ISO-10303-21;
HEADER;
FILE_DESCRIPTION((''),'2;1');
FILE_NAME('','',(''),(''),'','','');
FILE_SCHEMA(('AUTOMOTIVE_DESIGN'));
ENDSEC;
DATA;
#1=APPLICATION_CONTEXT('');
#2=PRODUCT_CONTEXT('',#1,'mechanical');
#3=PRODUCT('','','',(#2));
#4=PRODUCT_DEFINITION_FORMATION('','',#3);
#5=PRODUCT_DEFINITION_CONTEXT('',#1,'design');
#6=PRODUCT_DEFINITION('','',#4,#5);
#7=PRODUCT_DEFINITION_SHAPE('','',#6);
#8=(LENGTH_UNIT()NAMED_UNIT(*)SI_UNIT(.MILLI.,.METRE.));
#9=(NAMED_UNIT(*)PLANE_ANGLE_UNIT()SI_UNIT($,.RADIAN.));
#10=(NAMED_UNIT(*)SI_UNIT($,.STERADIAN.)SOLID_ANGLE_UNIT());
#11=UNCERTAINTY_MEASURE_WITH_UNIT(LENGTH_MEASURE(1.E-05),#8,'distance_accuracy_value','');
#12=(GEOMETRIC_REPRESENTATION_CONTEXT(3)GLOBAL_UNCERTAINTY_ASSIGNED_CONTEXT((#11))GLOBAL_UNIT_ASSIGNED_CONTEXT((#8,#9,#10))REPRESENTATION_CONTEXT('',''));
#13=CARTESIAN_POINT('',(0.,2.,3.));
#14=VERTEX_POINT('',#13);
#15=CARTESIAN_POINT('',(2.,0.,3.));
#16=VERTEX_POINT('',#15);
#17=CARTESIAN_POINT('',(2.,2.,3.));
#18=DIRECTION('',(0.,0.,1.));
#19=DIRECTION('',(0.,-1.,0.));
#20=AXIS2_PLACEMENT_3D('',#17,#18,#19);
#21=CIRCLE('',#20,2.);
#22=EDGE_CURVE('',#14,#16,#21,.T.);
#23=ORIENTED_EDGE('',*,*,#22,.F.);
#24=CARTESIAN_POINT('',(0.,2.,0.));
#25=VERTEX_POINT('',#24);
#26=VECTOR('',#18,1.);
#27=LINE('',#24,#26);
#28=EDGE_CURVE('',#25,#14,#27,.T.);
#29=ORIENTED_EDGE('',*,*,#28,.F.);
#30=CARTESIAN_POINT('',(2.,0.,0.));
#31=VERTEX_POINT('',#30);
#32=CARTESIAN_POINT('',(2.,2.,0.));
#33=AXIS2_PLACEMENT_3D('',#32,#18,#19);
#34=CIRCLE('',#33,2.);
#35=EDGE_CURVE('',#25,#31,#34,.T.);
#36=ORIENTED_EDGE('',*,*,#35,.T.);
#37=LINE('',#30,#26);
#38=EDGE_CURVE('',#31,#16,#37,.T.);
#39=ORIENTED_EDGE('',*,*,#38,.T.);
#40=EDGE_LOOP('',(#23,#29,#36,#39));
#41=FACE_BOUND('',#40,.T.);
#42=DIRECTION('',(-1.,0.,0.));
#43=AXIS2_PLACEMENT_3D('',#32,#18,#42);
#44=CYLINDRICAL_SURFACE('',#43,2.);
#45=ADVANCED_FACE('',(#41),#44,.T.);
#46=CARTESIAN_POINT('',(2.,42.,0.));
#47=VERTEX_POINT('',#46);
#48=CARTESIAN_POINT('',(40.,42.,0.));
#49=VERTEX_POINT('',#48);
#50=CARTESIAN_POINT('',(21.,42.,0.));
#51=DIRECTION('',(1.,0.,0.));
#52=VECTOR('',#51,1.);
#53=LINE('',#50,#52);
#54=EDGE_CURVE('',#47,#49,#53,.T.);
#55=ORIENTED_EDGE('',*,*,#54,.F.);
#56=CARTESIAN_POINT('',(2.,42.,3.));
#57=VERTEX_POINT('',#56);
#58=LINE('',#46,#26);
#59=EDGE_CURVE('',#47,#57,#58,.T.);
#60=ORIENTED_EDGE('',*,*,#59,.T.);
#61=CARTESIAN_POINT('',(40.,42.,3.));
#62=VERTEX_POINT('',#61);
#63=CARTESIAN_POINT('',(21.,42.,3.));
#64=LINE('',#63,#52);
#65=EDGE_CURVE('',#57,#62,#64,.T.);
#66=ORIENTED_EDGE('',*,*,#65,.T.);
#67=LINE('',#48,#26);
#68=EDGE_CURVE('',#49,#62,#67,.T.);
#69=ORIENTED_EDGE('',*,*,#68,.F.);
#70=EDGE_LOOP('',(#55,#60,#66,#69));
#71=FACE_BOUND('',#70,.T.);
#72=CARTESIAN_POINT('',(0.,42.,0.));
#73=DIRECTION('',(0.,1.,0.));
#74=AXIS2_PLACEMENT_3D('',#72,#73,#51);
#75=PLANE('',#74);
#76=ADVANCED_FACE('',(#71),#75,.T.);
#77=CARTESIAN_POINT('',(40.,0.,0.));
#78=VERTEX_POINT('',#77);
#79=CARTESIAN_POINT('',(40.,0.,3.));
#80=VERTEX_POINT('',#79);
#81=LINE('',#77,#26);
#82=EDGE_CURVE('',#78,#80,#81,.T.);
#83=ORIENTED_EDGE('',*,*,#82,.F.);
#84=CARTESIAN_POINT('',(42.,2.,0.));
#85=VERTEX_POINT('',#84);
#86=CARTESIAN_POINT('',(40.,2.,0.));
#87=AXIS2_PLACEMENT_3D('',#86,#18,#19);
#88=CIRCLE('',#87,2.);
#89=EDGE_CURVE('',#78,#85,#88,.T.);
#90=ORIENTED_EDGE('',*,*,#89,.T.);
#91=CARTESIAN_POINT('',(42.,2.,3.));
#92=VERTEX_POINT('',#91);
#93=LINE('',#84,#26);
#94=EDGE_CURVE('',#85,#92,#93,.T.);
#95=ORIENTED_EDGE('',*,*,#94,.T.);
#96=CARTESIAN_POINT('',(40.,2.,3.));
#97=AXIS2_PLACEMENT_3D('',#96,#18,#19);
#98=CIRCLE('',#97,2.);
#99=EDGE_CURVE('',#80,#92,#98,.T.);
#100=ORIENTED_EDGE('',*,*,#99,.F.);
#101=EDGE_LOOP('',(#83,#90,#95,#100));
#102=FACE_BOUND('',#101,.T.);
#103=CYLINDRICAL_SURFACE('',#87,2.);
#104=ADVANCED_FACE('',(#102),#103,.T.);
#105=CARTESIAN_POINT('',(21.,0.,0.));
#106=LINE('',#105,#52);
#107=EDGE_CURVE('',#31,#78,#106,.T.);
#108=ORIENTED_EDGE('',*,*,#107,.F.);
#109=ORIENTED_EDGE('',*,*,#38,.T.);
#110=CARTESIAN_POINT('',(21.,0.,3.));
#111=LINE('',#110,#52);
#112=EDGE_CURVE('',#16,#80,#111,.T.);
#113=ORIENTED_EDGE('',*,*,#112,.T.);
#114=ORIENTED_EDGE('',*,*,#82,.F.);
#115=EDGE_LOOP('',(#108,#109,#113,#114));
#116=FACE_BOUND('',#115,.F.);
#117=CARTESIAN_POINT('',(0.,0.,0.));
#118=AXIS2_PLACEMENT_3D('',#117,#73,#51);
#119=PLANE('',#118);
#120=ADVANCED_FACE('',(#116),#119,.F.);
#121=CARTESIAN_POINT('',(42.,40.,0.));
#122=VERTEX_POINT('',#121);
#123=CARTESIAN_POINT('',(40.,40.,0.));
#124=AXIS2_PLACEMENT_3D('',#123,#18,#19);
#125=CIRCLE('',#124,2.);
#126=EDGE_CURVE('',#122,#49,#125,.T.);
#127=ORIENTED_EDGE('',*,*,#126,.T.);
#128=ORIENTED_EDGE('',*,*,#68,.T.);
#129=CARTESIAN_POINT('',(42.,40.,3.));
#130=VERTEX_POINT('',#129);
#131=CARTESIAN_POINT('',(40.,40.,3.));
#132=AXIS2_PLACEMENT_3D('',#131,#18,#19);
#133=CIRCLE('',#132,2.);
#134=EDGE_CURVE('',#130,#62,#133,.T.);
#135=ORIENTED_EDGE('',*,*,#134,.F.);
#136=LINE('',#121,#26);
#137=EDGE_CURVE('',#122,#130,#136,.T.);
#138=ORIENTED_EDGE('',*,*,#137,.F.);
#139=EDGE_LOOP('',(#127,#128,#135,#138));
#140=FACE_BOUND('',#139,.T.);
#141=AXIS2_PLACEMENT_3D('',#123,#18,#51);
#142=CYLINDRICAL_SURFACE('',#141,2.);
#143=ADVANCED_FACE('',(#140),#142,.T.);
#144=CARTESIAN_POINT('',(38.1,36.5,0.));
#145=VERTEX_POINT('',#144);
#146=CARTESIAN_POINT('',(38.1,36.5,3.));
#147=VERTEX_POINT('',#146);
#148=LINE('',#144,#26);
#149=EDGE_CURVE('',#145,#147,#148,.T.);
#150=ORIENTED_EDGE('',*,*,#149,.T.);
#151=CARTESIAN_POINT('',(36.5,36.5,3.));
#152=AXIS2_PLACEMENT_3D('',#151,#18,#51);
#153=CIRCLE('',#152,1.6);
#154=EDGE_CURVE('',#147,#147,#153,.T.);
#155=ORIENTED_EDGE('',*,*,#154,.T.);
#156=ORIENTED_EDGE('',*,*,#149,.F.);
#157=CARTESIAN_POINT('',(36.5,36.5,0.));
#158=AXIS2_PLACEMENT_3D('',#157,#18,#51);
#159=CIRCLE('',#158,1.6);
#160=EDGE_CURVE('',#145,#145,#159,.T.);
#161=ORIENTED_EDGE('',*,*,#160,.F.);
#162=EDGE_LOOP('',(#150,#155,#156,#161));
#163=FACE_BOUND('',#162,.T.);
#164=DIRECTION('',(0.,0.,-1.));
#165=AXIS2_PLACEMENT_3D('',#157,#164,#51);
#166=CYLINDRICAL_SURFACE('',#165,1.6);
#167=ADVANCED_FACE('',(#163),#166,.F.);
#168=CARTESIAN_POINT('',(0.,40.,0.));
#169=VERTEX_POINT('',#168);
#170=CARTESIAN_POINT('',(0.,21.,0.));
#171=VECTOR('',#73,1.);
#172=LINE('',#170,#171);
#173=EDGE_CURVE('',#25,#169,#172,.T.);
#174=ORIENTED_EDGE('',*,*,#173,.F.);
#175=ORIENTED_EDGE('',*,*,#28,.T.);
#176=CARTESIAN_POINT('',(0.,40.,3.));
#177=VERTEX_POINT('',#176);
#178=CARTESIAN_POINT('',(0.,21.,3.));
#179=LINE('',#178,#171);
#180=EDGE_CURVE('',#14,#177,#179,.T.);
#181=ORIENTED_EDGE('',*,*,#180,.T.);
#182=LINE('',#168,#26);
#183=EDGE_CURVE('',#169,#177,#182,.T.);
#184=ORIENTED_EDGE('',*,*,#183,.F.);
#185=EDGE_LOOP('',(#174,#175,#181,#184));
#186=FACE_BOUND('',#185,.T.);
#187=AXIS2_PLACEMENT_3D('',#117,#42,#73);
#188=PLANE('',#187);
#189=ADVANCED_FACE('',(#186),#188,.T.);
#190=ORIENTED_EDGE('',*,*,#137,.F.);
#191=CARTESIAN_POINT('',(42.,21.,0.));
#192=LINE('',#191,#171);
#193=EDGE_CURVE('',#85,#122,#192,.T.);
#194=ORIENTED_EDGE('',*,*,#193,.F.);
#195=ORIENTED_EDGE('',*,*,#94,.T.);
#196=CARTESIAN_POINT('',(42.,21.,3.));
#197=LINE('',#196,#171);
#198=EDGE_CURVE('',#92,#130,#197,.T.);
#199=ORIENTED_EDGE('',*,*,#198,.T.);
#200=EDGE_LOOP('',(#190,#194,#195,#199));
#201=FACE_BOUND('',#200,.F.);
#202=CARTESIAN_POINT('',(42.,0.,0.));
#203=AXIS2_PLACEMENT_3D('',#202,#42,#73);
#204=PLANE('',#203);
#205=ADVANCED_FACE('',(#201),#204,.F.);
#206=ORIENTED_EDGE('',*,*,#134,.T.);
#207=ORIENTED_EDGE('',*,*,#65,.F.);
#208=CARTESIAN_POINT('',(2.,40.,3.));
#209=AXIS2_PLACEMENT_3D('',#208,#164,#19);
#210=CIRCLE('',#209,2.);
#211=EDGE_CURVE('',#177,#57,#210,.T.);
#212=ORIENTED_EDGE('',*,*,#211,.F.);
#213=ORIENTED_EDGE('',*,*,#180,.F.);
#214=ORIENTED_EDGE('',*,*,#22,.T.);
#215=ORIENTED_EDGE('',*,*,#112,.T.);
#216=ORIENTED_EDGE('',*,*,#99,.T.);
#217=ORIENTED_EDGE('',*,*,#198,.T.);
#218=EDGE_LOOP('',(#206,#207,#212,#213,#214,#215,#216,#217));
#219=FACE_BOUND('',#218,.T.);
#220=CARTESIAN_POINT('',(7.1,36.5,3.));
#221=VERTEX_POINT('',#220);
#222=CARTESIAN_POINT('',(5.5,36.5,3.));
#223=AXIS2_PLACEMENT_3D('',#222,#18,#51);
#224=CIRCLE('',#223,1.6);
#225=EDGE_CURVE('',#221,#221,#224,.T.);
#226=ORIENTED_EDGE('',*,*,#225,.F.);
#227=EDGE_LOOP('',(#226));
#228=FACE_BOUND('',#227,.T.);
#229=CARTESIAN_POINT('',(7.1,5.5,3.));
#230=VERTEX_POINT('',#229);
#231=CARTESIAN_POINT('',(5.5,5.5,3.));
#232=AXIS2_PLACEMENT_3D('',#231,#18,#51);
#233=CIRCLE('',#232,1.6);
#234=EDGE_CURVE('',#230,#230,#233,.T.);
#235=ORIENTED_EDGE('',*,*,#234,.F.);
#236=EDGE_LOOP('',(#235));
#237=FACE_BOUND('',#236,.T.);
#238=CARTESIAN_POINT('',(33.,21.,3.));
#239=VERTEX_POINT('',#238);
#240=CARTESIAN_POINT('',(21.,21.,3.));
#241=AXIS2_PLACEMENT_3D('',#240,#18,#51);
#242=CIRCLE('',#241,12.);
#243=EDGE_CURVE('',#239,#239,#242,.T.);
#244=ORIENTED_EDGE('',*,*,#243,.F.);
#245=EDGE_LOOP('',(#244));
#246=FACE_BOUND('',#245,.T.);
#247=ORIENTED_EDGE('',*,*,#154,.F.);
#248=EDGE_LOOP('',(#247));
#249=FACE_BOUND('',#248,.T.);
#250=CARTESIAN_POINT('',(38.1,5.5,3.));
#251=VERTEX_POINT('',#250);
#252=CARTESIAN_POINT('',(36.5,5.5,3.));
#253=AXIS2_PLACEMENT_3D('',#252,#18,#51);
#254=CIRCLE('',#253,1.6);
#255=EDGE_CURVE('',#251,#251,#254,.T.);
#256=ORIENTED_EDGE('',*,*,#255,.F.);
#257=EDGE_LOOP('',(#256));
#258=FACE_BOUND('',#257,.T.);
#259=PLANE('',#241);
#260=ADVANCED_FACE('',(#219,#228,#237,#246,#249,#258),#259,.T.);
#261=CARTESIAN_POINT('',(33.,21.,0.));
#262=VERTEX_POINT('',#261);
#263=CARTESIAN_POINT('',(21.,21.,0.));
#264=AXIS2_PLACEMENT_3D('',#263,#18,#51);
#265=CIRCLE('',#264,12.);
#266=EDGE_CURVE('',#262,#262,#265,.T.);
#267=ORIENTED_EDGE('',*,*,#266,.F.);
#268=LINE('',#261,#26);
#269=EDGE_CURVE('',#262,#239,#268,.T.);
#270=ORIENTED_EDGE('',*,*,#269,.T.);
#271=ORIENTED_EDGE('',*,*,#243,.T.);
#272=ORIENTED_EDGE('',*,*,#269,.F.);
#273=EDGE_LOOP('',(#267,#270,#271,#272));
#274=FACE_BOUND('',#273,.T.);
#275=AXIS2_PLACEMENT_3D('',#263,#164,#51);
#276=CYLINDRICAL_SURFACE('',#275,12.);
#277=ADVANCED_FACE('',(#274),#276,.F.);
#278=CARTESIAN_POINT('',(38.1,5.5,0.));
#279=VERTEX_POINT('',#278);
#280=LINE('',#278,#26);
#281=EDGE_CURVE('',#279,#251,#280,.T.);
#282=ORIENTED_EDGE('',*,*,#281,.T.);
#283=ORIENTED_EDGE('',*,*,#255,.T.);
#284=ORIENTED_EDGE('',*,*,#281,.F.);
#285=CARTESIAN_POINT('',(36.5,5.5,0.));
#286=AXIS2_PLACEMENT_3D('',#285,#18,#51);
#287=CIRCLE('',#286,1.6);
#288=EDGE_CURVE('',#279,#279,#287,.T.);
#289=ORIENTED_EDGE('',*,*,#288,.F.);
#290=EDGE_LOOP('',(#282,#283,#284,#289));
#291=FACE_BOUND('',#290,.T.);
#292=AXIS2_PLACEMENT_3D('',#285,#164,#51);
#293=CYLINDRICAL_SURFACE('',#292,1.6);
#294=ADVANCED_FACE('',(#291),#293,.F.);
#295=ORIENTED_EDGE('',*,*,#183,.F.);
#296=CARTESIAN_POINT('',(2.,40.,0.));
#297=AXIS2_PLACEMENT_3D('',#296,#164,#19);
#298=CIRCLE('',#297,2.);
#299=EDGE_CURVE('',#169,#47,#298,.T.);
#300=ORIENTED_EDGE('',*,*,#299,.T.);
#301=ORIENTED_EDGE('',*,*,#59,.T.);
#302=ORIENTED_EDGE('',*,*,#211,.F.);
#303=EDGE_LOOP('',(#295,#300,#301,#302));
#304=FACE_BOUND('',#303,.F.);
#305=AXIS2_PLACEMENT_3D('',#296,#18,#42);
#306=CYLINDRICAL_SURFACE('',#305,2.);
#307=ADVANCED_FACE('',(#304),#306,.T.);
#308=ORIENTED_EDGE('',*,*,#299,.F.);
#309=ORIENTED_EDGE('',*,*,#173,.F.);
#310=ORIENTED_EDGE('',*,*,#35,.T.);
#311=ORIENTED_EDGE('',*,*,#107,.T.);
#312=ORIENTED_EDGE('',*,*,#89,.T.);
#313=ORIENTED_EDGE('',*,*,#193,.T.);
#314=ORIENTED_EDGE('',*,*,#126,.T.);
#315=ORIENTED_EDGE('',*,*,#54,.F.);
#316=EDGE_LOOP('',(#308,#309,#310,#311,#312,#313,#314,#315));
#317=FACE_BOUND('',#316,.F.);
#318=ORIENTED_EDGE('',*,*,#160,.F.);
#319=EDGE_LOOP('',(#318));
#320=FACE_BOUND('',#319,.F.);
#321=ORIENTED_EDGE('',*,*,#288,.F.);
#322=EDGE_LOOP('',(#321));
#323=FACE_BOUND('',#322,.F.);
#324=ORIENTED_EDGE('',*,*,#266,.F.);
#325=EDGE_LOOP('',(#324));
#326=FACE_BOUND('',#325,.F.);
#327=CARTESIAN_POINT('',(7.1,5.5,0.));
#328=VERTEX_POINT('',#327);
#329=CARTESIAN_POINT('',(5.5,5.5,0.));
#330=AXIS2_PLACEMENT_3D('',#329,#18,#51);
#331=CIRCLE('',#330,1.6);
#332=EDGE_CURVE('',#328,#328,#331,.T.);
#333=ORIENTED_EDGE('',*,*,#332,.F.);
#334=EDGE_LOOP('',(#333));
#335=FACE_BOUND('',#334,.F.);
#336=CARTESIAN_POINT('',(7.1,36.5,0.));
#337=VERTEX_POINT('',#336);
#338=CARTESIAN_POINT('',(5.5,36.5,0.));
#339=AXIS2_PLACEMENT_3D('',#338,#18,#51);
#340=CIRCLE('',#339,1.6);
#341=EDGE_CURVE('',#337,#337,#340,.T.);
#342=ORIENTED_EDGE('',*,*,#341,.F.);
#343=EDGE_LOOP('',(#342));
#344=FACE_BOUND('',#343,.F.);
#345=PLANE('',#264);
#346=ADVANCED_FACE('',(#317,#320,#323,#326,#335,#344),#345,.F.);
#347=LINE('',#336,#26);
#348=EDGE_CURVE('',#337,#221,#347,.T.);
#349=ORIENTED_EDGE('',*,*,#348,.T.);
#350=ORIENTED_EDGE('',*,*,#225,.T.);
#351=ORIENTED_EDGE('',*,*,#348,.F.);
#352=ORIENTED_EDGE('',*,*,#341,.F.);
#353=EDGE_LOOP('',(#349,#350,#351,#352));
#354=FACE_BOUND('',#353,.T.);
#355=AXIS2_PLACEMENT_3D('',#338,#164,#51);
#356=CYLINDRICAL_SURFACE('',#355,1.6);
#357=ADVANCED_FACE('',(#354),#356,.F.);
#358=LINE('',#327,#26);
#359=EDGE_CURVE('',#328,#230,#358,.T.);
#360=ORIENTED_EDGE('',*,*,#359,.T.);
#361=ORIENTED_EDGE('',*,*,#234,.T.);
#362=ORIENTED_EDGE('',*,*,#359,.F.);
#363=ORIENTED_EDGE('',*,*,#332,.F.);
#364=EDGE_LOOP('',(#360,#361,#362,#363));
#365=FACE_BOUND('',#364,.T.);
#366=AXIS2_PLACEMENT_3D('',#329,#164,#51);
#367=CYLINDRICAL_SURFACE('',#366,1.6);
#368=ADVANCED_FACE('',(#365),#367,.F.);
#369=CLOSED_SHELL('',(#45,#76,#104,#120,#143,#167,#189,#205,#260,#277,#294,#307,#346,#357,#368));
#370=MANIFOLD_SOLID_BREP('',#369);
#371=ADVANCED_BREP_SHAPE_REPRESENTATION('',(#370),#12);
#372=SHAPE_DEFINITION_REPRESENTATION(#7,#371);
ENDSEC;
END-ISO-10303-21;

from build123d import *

# Parameters (mm, degrees)
CYLINDER018_R     = 1.6
CYLINDER018_DEPTH = 3
CYLINDER017_R     = 1.6
CYLINDER017_DEPTH = 3
CYLINDER016_R     = 1.6
CYLINDER016_DEPTH = 3
CYLINDER_R        = 1.6
CYLINDER_DEPTH    = 3
CYLINDER019_R     = 12
CYLINDER019_DEPTH = 3
BOX_W             = 42
BOX_H             = 42
BOX_DEPTH         = 3
FILLET_R          = 2


with BuildPart() as cylinder018:
    # Cylinder018 → Cylinder018 (new body)
    with BuildSketch(Plane(origin=(36.5, 36.5, 0), x_dir=(1, 0, 0), z_dir=(0, 0, 1))):
        Circle(CYLINDER018_R)
    extrude(amount=CYLINDER018_DEPTH)


with BuildPart() as cylinder017:
    # Cylinder017 → Cylinder017 (new body)
    with BuildSketch(Plane(origin=(36.5, 5.5, 0), x_dir=(1, 0, 0), z_dir=(0, 0, 1))):
        Circle(CYLINDER017_R)
    extrude(amount=CYLINDER017_DEPTH)


with BuildPart() as cylinder016:
    # Cylinder016 → Cylinder016 (new body)
    with BuildSketch(Plane(origin=(5.5, 36.5, 0), x_dir=(1, 0, 0), z_dir=(0, 0, 1))):
        Circle(CYLINDER016_R)
    extrude(amount=CYLINDER016_DEPTH)


with BuildPart() as cylinder:
    # Cylinder → Cylinder (new body)
    with BuildSketch(Plane(origin=(5.5, 5.5, 0), x_dir=(1, 0, 0), z_dir=(0, 0, 1))):
        Circle(CYLINDER_R)
    extrude(amount=CYLINDER_DEPTH)


with BuildPart() as fusion002002:
    # Cylinder019 → Cylinder019 (new body)
    with BuildSketch(Plane(origin=(21, 21, 0), x_dir=(1, 0, 0), z_dir=(0, 0, 1))):
        Circle(CYLINDER019_R)
    extrude(amount=CYLINDER019_DEPTH)

    # Fusion002002: union Cylinder018, Cylinder017, Cylinder016, Cylinder
    add(cylinder018.part)
    add(cylinder017.part)
    add(cylinder016.part)
    add(cylinder.part)


with BuildPart() as motor_mounter:
    # Box → Box (new body)
    with BuildSketch(Plane.XY):
        with Locations((21, 21)):
            Rectangle(BOX_W, BOX_H)
    extrude(amount=BOX_DEPTH)

    # Fillet
    fillet_edges = [motor_mounter.edges().sort_by_distance(p)[0] for p in [
        (0, 0, 1.5),
        (0, 42, 1.5),
        (42, 0, 1.5),
        (42, 42, 1.5),
    ]]
    fillet(fillet_edges, radius=FILLET_R)

    # Cut001: cut Fusion002002
    add(fusion002002.part, mode=Mode.SUBTRACT)


solid = motor_mounter.part
